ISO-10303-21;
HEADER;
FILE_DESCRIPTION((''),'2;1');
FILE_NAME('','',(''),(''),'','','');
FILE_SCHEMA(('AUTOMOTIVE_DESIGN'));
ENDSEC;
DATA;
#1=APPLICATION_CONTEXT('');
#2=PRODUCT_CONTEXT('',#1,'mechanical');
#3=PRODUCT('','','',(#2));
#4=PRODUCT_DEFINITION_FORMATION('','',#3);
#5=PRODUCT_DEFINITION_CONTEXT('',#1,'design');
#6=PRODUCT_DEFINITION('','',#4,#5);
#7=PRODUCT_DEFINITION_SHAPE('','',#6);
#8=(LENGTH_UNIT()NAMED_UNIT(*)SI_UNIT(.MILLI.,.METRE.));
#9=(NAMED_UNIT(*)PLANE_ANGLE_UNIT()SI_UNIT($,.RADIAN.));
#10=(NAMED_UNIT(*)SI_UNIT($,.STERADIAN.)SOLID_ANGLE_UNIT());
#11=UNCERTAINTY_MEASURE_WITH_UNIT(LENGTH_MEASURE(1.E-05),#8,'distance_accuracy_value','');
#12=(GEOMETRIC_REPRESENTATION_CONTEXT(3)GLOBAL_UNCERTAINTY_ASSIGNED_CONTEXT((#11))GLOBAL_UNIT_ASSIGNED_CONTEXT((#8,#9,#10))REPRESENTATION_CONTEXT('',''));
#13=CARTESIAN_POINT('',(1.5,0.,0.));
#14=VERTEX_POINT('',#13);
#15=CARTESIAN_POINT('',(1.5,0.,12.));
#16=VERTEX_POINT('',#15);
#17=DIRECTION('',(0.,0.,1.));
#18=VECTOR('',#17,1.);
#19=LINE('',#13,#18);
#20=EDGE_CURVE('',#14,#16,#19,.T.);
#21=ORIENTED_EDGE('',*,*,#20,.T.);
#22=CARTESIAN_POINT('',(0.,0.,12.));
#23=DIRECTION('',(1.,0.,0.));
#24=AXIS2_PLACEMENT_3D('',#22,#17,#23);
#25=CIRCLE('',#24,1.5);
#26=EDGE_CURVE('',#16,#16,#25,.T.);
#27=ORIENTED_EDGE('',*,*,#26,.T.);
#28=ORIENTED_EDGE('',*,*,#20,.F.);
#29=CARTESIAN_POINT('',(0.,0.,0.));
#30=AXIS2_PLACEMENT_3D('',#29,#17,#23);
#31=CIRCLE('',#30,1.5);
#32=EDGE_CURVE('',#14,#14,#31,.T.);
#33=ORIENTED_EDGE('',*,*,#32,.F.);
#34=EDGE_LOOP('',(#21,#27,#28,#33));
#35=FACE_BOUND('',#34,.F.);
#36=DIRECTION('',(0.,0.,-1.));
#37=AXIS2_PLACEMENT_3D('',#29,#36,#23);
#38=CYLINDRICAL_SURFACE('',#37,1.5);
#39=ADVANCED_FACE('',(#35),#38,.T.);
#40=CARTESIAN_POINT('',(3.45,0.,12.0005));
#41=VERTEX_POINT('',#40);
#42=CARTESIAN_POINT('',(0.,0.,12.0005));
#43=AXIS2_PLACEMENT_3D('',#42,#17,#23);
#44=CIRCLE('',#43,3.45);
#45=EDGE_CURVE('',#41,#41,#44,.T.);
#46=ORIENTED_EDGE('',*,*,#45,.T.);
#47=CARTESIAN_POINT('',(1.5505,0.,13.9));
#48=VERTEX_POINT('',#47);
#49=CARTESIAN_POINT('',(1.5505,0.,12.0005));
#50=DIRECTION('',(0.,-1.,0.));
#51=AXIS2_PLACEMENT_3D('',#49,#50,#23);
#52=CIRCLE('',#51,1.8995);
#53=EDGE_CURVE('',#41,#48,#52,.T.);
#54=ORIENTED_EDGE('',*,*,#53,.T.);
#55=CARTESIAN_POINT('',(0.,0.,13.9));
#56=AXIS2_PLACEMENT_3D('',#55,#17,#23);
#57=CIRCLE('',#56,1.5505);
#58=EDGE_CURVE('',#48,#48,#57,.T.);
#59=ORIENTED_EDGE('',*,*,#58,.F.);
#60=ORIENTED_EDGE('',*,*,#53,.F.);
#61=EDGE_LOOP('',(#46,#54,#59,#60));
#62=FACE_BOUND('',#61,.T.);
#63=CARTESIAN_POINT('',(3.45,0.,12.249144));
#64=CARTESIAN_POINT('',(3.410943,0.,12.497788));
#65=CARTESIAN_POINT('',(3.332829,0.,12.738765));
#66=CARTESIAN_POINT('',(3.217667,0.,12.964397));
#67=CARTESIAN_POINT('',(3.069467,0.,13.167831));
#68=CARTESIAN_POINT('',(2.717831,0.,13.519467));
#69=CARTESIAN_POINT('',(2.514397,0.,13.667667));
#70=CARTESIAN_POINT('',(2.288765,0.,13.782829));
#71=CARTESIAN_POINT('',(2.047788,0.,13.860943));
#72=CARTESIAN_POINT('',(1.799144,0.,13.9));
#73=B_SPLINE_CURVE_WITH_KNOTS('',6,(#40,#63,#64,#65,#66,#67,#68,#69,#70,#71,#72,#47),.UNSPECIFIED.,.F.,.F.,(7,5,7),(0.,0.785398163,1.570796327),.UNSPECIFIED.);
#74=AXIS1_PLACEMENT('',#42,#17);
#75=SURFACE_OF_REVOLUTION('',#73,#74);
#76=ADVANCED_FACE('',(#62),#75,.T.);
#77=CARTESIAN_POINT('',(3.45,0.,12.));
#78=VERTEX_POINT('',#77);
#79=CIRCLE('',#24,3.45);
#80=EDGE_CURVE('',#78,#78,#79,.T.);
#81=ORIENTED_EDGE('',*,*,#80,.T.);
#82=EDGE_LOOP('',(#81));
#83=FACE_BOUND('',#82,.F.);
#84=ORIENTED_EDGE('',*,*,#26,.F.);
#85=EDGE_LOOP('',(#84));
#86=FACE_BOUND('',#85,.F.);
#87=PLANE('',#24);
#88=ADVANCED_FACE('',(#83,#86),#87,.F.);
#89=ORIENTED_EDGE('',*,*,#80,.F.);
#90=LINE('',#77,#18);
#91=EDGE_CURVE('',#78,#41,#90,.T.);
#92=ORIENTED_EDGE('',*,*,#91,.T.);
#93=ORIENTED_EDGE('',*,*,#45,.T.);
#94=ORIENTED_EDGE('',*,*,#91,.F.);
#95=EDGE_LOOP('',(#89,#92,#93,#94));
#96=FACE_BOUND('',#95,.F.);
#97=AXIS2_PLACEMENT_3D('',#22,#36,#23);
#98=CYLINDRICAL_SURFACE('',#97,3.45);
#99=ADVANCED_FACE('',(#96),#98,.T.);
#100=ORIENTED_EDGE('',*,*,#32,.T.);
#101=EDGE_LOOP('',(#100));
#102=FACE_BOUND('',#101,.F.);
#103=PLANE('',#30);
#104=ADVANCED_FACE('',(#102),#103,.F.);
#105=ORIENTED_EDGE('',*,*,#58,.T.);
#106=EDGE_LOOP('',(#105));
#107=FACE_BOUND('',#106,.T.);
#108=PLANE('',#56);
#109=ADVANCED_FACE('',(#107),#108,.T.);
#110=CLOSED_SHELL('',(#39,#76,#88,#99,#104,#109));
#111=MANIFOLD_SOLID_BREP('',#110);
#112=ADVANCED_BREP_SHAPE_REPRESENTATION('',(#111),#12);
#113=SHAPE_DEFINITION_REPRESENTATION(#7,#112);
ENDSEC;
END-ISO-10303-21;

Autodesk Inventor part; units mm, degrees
ref_plane "YZ Plane" through (0, 0, 0) normal (1, 0, 0) x (0, 1, 0)
ref_plane "XZ Plane" through (0, 0, 0) normal (0, 1, 0) x (-1, 0, 0)
ref_plane "XY Plane" through (0, 0, 0) normal (0, 0, 1) x (1, 0, 0)
sketch "スケッチ1" plane through (0, 0, 0) normal (0, 0, 1) x (1, 0, 0)
  circle A0 centre (0, 0) radius 1.5
  dimension "d0" = 3
extrude "押し出し1" add sketch "スケッチ1" along normal blind 12
sketch "スケッチ2" plane through (0, 0, 12) normal (0, 0, 1) x (1, 0, 0)
  circle A0 centre (0, 0) radius 3.45
  dimension "d3" = 6.9
extrude "押し出し2" add sketch "スケッチ2" along normal blind 1.9
fillet "フィレット1" radius 1.9 1 edges at (-3.45, 0, 13.9)
thread "ねじ1" size "M3x0.5" class "6g" standard "ANSI Metric M Profile" full length
properties part number "M3トラス頭ネジ　12" material "鉄 灰色"
